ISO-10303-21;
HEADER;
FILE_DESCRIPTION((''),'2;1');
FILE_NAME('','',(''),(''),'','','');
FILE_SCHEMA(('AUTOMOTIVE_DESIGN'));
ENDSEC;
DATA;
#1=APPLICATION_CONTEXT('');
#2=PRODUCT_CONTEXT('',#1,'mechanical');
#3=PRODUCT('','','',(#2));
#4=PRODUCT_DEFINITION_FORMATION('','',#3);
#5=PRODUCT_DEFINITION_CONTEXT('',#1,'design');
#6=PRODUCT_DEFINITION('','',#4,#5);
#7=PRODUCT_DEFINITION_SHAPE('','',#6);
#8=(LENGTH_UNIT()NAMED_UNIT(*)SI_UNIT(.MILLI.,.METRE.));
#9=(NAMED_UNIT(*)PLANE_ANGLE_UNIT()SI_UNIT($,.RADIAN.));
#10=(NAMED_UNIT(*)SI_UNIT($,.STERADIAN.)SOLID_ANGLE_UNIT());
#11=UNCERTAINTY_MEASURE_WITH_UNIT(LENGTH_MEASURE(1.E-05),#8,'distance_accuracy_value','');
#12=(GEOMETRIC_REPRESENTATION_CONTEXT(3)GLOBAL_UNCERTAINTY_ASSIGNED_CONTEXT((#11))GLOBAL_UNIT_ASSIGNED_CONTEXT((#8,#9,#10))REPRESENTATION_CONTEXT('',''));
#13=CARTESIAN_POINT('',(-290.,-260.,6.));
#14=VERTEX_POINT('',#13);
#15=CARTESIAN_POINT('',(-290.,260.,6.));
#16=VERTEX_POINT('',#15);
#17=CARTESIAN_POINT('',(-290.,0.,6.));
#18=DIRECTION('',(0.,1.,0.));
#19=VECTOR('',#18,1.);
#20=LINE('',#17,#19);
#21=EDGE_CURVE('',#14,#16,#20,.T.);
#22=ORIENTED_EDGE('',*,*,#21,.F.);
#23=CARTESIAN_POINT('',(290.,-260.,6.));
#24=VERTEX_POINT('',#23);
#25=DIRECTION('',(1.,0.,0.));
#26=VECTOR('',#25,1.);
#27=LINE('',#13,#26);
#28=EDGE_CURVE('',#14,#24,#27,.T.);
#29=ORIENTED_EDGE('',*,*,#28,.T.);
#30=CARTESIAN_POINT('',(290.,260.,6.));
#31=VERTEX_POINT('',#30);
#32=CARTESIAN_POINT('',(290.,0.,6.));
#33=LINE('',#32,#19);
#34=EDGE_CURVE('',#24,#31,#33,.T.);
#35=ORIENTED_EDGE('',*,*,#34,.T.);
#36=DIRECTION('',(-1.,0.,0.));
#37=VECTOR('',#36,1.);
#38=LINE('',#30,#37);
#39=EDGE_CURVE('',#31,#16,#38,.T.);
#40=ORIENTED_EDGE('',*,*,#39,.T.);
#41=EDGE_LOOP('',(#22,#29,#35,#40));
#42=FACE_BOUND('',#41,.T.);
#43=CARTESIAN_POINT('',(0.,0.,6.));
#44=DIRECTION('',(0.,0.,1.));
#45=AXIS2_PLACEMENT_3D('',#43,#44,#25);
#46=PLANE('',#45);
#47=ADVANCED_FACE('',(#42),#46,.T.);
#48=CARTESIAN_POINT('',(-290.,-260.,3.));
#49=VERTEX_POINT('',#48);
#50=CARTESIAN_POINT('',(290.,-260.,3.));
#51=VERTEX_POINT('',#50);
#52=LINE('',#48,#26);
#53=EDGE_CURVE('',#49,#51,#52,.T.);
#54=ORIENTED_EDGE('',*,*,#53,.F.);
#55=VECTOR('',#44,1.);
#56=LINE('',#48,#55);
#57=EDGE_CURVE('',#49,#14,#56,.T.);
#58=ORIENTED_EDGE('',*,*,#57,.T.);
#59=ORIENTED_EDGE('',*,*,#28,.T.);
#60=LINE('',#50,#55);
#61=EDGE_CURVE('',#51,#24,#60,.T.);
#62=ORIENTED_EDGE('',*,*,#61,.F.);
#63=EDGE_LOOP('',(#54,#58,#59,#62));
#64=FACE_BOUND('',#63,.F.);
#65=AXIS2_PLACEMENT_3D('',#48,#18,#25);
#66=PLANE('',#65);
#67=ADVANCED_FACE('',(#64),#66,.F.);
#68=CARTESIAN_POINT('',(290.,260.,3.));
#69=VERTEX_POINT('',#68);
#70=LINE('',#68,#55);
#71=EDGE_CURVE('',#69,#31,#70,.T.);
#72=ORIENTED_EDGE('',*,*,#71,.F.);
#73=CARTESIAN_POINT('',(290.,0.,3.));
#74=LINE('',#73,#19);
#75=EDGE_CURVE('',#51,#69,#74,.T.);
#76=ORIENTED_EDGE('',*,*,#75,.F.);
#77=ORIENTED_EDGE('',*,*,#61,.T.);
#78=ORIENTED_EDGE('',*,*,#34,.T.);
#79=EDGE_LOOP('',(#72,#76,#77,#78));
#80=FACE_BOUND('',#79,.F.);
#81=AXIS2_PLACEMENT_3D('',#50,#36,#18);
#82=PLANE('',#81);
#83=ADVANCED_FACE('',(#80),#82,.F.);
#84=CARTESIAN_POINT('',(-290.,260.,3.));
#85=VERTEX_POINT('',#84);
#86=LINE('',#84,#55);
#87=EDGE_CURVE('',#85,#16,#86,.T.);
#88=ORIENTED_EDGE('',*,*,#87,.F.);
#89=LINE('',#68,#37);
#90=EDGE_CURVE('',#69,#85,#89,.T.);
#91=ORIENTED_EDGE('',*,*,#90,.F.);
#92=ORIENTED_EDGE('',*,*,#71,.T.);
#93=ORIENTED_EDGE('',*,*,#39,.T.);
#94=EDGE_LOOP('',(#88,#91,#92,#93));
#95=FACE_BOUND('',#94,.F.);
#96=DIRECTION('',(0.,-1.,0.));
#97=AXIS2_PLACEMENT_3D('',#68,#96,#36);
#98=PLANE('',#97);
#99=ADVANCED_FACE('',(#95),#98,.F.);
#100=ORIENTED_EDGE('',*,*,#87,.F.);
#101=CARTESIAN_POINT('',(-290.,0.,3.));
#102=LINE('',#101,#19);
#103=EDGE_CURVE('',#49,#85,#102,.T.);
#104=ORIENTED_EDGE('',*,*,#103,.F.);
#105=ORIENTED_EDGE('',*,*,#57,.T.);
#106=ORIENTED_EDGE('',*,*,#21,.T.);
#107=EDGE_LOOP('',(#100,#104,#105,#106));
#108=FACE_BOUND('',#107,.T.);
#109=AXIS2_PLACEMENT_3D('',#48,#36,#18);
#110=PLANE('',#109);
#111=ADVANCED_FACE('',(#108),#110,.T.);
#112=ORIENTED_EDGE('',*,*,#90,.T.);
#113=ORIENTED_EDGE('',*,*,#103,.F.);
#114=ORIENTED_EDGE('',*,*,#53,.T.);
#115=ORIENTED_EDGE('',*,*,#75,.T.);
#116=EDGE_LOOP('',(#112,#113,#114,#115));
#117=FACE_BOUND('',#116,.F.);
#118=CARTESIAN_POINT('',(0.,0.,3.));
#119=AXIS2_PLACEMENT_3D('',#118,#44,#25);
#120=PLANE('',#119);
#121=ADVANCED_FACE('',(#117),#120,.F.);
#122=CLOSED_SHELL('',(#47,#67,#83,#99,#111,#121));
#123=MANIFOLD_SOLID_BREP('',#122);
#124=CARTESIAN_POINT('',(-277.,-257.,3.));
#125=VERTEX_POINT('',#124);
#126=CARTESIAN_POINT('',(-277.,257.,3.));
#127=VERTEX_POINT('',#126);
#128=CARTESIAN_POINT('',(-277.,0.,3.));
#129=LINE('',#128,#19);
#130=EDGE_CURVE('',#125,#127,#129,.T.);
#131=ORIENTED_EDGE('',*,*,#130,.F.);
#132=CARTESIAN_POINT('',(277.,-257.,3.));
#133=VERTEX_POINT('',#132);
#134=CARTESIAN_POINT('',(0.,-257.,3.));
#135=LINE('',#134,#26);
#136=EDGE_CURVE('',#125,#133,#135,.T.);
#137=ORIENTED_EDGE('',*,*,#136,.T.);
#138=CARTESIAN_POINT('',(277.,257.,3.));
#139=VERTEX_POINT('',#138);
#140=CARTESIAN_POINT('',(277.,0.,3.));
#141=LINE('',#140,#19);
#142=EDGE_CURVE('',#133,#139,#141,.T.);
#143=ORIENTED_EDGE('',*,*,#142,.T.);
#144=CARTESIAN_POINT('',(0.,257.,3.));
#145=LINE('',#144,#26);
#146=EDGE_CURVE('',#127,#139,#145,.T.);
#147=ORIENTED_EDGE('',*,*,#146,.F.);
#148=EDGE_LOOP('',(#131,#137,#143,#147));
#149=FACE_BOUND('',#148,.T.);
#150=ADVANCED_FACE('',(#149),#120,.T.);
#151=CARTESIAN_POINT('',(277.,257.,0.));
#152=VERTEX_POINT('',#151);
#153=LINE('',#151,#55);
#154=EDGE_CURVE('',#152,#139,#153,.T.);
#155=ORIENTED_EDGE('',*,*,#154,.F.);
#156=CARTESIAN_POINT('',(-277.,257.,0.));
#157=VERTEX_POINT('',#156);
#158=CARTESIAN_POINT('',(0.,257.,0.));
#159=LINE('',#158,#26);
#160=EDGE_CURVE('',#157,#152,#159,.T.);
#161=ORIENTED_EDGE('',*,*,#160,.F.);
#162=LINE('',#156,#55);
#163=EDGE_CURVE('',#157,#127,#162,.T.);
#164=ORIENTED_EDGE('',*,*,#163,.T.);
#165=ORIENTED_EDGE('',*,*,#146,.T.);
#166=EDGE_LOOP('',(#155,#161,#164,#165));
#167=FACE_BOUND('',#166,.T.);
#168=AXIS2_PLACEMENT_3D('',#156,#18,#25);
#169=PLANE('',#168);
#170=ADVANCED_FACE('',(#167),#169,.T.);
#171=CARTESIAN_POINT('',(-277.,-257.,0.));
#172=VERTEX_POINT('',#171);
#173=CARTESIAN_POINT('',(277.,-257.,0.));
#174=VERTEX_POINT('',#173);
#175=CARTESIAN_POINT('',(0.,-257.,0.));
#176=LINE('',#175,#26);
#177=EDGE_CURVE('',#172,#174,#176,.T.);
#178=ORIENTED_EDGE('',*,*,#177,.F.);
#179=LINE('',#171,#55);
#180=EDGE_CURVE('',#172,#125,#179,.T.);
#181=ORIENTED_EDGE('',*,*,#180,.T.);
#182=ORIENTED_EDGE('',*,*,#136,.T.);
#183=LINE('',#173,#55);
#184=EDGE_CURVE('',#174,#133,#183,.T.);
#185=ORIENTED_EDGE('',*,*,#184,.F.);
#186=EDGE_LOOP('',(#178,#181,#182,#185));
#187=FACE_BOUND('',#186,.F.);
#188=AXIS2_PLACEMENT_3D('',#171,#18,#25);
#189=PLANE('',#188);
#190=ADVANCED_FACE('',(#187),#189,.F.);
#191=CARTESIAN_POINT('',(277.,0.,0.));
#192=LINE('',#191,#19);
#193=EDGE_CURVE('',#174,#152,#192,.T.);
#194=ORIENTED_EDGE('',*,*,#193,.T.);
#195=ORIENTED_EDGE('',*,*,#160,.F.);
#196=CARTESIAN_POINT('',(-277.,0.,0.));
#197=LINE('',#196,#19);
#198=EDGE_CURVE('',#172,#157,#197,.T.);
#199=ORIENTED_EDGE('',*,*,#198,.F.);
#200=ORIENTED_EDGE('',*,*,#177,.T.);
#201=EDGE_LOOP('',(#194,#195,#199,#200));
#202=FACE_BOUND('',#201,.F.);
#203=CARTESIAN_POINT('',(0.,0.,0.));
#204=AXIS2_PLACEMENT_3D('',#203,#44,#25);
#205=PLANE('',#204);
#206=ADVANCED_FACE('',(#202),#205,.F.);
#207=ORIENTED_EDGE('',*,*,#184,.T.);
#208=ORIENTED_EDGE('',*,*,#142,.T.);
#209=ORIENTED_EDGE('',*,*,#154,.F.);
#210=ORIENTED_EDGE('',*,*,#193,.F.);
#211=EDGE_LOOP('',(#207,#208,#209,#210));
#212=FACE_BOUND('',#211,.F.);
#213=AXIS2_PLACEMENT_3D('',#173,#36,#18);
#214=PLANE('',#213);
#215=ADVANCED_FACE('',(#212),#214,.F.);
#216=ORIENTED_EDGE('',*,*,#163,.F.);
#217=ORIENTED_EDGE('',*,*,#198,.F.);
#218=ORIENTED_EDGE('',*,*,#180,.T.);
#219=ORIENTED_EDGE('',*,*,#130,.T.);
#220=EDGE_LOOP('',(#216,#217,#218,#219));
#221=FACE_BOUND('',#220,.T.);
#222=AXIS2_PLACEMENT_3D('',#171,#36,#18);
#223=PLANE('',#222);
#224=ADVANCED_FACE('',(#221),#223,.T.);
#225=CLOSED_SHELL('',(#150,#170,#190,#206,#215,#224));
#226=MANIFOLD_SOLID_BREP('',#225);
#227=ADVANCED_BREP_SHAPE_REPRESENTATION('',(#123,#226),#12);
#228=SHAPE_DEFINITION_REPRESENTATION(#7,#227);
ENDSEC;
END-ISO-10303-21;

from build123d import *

# Parameters (mm, degrees)
F0_W     = 554
F0_H     = 514
F1_DEPTH = 3
F2_W     = 560
F2_H     = 520
F2_W_2   = 10
F3_DEPTH = 3


with BuildPart() as f1:
    # F0 (on Top) → F1 (new body)
    with BuildSketch(Plane.XY):
        Rectangle(F0_W, F0_H)
    extrude(amount=F1_DEPTH)


with BuildPart() as f3:
    # F2 (on face) → F3 (new body)
    with BuildSketch(Plane.XY.offset(3)):
        Rectangle(F2_W, F2_H)
        with Locations((-285, 0)):
            Rectangle(F2_W_2, F2_H)
        with Locations((285, 0)):
            Rectangle(F2_W_2, F2_H)
    extrude(amount=F3_DEPTH)


solid = Compound([f1.part, f3.part])
